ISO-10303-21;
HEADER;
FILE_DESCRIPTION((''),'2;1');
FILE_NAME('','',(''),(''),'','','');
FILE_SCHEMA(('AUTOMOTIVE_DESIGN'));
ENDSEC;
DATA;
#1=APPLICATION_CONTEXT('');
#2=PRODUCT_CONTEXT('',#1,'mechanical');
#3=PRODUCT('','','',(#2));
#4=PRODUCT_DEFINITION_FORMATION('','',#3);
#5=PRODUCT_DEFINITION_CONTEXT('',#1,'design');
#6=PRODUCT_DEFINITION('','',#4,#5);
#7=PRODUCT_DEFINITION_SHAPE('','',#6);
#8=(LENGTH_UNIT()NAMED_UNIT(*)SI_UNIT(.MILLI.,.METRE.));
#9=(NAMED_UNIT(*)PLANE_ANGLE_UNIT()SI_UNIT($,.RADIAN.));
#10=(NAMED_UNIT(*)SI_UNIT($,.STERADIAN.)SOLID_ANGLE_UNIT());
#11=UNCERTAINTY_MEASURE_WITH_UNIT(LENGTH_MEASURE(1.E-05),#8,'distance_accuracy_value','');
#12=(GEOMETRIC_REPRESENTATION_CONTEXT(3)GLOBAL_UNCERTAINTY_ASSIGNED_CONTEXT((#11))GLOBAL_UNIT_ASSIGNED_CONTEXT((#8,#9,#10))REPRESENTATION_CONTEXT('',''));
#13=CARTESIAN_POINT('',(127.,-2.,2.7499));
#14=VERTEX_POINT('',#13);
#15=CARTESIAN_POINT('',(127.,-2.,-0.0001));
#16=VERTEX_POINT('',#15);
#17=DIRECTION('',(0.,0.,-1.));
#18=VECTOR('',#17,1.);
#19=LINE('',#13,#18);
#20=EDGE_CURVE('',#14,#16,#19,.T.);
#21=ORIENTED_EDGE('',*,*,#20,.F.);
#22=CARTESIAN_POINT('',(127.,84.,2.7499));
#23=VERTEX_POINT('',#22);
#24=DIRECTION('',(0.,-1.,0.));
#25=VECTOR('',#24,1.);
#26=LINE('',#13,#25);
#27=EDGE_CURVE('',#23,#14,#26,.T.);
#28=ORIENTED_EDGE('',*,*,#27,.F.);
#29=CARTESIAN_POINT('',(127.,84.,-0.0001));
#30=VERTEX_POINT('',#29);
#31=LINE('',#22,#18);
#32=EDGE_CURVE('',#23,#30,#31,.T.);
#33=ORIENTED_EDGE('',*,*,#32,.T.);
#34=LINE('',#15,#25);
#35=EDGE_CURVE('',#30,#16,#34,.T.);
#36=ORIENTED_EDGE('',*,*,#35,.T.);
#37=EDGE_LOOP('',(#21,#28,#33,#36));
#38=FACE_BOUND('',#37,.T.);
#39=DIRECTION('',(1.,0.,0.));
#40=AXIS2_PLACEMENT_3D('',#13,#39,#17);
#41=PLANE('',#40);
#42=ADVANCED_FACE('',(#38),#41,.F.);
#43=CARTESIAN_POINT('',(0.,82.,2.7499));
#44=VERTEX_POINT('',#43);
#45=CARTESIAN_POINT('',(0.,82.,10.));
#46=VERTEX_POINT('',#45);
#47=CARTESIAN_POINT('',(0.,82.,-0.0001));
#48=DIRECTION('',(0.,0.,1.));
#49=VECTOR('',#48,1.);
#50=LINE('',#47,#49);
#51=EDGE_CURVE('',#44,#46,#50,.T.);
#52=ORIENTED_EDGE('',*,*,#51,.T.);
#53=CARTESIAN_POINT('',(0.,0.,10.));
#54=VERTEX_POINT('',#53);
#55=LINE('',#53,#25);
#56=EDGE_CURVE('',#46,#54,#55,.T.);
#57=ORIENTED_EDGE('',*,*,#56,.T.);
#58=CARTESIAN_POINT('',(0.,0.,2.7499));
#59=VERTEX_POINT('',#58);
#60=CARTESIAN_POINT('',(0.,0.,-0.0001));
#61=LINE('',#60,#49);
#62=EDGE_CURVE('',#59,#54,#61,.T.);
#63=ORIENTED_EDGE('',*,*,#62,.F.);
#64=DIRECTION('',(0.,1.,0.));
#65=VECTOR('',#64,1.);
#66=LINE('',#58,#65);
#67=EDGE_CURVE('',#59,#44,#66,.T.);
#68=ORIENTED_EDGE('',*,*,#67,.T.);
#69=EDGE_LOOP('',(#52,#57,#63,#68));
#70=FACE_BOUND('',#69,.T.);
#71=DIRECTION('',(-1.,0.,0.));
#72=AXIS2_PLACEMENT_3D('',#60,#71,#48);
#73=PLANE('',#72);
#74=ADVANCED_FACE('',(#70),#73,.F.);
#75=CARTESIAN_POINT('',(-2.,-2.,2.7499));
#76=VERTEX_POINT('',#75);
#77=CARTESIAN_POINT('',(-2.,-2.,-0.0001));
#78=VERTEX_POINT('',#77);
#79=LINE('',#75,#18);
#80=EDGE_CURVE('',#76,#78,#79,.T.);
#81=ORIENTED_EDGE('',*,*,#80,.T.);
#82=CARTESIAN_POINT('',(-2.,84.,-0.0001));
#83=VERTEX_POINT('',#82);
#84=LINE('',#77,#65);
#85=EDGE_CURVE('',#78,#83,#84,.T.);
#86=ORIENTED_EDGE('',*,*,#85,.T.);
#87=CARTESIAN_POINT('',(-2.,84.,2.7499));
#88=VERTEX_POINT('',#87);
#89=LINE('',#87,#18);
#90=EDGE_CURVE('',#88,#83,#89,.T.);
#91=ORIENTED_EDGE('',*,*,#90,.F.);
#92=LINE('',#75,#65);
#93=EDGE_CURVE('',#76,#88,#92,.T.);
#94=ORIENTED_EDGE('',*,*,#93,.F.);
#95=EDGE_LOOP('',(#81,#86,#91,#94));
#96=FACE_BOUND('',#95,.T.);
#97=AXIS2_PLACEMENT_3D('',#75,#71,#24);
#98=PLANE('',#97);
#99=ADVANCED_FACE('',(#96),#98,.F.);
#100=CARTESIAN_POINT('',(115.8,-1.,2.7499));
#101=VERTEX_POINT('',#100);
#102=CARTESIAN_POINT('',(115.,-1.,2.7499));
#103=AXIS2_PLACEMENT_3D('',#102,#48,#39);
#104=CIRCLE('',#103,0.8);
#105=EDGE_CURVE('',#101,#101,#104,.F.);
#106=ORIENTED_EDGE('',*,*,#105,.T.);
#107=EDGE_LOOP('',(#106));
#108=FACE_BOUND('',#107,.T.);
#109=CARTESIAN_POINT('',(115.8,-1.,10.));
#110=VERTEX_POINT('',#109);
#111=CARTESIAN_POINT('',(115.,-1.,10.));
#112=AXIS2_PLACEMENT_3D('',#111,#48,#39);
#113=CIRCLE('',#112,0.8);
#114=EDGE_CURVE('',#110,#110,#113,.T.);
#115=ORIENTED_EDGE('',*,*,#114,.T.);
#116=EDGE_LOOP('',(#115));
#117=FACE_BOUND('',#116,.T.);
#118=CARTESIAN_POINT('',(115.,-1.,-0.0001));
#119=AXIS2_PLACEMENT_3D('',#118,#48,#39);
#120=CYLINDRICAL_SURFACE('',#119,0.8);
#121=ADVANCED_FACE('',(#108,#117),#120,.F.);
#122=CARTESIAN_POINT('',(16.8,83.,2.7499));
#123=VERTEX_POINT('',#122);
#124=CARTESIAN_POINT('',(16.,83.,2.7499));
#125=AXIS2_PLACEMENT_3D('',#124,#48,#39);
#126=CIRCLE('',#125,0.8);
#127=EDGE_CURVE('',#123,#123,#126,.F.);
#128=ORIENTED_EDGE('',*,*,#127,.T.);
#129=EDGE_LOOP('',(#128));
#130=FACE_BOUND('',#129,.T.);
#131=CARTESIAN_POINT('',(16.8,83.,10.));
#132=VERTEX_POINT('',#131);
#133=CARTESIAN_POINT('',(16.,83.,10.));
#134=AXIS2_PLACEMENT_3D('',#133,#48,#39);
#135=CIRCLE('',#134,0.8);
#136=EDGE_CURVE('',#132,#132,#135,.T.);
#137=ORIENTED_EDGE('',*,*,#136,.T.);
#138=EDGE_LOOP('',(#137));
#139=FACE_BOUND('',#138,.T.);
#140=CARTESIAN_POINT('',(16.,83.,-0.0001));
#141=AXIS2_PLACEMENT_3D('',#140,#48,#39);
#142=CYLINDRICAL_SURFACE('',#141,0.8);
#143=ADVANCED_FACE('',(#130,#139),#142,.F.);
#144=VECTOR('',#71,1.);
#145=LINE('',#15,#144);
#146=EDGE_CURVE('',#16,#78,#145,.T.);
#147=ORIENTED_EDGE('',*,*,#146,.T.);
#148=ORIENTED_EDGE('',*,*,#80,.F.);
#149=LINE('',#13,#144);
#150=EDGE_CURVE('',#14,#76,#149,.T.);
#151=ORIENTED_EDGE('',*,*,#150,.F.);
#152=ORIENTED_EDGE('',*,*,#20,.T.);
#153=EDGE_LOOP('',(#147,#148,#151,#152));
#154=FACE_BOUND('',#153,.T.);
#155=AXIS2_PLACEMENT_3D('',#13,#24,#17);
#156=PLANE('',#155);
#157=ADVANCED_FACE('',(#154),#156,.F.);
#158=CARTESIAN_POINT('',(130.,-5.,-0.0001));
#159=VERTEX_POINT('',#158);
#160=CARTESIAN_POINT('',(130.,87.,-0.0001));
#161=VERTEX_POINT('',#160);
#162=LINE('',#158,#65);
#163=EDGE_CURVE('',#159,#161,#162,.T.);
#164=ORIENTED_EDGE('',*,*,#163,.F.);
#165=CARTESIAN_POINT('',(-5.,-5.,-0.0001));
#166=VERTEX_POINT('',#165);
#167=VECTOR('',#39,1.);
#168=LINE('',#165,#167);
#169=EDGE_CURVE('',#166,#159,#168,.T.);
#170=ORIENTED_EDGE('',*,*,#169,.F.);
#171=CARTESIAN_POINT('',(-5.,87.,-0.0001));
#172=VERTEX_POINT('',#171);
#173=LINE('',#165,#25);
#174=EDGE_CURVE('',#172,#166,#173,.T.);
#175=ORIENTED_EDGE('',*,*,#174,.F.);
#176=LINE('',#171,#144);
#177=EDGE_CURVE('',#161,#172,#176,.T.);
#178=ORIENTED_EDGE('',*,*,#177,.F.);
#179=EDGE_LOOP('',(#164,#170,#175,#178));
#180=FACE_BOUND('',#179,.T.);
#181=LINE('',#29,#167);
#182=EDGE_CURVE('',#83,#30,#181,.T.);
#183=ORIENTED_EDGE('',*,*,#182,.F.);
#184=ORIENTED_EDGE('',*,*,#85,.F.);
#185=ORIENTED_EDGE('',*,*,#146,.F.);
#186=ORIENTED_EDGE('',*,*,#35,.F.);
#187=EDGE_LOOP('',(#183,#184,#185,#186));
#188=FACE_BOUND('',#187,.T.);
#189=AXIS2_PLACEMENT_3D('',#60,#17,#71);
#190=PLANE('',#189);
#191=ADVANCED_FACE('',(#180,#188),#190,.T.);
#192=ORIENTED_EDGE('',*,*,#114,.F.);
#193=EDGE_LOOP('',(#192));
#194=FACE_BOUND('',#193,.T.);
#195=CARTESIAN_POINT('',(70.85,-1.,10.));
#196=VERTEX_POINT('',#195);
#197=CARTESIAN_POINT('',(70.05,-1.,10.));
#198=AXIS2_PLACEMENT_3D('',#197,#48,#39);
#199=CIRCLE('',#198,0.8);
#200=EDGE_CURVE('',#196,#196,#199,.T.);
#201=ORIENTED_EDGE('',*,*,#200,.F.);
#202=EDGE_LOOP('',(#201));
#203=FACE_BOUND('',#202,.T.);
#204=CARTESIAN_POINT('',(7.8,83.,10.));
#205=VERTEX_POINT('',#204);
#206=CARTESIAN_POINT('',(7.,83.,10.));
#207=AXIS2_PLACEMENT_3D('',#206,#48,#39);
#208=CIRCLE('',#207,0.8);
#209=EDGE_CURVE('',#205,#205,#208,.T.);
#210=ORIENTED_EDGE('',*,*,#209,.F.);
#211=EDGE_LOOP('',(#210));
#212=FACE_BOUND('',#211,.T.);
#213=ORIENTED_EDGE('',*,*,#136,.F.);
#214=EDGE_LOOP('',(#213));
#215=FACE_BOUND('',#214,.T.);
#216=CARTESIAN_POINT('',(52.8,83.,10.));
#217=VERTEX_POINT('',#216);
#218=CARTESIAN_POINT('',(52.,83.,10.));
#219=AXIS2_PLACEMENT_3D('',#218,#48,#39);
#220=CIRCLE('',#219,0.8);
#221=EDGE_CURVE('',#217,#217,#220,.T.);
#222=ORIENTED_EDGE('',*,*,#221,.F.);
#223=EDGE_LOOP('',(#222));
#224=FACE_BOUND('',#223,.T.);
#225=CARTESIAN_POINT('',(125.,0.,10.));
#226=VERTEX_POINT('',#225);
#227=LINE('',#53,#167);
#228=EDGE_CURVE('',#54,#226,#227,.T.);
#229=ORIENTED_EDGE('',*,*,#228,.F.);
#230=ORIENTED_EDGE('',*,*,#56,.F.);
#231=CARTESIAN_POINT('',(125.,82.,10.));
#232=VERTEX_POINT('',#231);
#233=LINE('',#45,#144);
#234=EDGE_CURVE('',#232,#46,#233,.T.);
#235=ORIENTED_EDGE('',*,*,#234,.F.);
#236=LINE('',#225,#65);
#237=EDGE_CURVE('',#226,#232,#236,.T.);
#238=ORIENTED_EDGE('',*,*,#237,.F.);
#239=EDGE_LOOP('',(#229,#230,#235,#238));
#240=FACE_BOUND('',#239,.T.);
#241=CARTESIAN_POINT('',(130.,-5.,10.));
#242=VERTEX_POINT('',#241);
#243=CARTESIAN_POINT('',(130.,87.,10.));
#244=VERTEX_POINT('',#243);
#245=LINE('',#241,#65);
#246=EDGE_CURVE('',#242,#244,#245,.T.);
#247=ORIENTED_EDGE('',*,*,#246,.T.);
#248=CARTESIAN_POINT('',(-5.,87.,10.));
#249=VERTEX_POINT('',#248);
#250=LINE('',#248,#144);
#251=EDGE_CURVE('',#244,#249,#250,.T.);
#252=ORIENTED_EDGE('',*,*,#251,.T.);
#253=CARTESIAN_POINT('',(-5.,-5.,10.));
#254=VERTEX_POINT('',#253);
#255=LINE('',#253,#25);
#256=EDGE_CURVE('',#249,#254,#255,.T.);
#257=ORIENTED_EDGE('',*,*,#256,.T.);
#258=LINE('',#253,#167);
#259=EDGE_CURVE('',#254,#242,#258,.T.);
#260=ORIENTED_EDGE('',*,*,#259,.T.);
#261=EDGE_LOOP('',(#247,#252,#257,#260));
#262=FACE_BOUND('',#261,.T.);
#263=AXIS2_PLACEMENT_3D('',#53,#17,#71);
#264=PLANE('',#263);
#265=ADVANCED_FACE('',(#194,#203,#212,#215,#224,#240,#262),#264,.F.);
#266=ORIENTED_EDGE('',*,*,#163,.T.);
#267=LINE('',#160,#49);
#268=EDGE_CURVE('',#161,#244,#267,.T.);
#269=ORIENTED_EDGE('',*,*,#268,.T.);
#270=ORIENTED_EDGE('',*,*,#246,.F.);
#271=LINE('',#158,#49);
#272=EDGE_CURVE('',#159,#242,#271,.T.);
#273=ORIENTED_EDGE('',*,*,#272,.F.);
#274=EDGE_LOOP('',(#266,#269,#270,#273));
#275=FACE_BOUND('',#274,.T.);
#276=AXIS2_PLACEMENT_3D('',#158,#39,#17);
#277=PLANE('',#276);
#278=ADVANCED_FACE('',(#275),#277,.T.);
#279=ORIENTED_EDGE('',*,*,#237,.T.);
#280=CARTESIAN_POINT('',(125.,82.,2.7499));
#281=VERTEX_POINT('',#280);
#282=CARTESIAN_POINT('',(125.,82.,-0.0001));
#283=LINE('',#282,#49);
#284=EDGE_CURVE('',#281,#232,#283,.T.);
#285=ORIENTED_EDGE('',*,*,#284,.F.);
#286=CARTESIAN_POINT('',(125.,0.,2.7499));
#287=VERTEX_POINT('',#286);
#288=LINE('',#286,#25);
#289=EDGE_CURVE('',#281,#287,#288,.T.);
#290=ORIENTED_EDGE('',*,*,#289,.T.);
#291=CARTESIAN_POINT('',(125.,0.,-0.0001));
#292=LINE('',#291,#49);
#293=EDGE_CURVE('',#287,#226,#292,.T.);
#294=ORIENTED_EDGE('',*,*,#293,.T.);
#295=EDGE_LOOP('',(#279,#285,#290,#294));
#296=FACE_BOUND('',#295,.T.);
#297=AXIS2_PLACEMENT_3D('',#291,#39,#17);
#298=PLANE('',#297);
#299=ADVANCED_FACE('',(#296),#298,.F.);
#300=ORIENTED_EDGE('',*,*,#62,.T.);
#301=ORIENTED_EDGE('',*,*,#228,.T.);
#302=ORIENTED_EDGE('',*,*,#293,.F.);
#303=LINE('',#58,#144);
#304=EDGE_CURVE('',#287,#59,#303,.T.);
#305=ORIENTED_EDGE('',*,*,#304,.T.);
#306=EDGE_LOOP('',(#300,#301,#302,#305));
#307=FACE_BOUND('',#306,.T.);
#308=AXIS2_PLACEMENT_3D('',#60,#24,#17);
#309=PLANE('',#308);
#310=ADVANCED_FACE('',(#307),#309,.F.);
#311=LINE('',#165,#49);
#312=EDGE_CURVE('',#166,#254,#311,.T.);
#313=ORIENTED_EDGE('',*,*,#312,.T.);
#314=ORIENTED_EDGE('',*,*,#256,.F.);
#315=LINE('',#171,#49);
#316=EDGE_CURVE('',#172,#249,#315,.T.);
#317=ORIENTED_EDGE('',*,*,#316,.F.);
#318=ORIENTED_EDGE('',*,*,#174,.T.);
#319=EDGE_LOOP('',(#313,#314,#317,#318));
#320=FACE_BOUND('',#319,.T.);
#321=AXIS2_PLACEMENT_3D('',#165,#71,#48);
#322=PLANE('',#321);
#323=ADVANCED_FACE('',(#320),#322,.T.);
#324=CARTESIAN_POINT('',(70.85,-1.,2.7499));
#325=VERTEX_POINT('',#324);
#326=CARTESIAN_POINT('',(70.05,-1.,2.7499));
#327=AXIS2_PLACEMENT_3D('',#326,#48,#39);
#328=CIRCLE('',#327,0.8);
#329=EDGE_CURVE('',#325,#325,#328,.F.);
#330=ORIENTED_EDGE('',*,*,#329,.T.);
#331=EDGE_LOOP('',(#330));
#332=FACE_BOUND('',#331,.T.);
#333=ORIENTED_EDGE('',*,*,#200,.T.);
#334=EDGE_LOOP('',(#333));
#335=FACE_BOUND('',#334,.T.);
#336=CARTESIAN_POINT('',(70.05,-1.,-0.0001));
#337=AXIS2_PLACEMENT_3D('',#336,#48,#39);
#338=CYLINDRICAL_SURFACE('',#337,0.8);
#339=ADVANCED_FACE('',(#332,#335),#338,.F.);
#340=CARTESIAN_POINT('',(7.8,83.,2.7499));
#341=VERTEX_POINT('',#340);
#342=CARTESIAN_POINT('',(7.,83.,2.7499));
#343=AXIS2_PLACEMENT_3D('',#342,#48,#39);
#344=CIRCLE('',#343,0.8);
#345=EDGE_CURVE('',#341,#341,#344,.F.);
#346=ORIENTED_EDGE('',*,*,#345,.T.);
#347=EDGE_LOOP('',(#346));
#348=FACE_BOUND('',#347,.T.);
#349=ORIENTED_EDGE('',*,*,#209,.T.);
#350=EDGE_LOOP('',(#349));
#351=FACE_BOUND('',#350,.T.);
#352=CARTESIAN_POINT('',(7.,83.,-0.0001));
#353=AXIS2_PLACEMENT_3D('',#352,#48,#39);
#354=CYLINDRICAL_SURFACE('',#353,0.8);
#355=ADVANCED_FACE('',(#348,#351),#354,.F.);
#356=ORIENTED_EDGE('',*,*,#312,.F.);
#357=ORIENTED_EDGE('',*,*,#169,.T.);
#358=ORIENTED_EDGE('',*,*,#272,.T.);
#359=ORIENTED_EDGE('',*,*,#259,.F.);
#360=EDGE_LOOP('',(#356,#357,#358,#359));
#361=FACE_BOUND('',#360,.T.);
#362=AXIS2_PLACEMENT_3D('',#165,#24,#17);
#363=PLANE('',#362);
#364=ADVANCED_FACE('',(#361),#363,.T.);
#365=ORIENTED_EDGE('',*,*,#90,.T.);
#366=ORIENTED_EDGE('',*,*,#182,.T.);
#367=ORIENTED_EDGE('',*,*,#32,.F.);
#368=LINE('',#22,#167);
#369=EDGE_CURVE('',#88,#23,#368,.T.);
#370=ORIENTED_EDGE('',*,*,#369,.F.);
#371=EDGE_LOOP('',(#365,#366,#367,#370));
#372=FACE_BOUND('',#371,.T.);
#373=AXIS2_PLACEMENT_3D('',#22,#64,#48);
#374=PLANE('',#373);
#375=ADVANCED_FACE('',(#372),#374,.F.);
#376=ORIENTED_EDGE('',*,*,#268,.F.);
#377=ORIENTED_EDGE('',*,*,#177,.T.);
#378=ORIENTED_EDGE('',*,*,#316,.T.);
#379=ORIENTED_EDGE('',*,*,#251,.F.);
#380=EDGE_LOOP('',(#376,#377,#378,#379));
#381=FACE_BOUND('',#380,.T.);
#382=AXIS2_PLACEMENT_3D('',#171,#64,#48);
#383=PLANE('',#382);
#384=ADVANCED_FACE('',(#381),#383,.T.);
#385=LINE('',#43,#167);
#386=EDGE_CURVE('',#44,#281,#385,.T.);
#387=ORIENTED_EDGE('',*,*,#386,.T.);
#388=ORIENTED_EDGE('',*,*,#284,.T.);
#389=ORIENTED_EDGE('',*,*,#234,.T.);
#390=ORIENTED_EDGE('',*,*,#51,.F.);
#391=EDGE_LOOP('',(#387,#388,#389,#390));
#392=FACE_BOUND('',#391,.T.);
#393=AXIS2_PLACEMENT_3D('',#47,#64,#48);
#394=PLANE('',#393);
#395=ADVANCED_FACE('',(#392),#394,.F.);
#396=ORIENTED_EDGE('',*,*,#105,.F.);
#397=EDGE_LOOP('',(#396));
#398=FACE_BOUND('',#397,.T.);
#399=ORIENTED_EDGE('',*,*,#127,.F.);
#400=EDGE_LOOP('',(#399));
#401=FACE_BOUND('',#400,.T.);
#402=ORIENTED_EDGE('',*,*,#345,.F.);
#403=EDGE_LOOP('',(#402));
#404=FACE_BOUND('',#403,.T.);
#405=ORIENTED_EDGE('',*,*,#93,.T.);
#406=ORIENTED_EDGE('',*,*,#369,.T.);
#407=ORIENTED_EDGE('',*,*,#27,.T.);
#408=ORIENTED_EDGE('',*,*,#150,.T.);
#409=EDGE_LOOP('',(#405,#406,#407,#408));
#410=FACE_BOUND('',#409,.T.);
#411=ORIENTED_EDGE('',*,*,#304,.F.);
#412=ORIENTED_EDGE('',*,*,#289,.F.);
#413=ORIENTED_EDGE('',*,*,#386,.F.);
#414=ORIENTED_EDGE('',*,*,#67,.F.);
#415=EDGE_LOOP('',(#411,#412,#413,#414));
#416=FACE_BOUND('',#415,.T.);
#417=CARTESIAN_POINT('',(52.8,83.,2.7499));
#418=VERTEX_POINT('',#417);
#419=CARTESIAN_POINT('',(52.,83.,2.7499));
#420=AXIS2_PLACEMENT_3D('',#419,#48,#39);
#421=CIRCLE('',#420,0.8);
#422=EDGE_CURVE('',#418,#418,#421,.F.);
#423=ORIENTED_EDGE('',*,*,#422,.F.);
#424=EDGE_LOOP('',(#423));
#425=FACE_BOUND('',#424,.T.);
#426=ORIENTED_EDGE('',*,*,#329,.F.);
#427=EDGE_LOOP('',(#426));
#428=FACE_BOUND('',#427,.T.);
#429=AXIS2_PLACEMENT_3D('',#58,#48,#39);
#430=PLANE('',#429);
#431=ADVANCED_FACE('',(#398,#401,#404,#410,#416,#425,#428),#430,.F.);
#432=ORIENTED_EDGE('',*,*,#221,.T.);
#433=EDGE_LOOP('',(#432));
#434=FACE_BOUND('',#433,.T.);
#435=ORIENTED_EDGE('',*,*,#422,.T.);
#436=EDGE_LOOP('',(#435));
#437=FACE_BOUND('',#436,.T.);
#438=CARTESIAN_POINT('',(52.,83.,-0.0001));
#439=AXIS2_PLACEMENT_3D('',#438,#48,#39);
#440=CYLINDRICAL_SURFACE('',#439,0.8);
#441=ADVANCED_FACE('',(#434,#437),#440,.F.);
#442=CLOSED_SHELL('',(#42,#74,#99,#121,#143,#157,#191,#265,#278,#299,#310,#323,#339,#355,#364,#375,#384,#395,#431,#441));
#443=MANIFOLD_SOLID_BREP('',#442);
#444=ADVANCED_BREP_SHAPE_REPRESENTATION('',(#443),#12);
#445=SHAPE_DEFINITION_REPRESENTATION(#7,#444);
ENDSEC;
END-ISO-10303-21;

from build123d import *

# Parameters (mm, degrees)
SKETCH_1_W           = 135
SKETCH_1_H           = 92
SKETCH_1_R           = 0.8
SKETCH_1_W_2         = 125
SKETCH_1_H_2         = 82
EXTRUDE_1_DEPTH      = 10
EXTRUDE_1_DEPTH_BACK = 0.0001
SKETCH_4_W           = 129
SKETCH_4_H           = 86
CUT_EXTRUDE_1_DEPTH  = 2.75


with BuildPart() as part:
    # Эскиз1 → Бобышка-Вытянуть1 (new body, two sides)
    with BuildSketch(Plane.XY) as extrude_1_sk:
        with Locations((62.5, 41)):
            Rectangle(SKETCH_1_W, SKETCH_1_H)
        with Locations((7, 83)):
            Circle(SKETCH_1_R, mode=Mode.SUBTRACT)
        with Locations((115, -1)):
            Circle(SKETCH_1_R, mode=Mode.SUBTRACT)
        with Locations((16, 83)):
            Circle(SKETCH_1_R, mode=Mode.SUBTRACT)
        with Locations((52, 83)):
            Circle(SKETCH_1_R, mode=Mode.SUBTRACT)
        with Locations((70.05, -1)):
            Circle(SKETCH_1_R, mode=Mode.SUBTRACT)
        with Locations((62.5, 41)):
            Rectangle(SKETCH_1_W_2, SKETCH_1_H_2, mode=Mode.SUBTRACT)
    extrude(amount=EXTRUDE_1_DEPTH)
    extrude(extrude_1_sk.sketch, amount=-EXTRUDE_1_DEPTH_BACK)

    # Эскиз4 → Вырез-Вытянуть1 (cut)
    with BuildSketch(Plane(origin=(0, 0, -0.0001), x_dir=(-1, 0, 0), z_dir=(0, 0, -1))):
        with Locations((-62.5, 41)):
            Rectangle(SKETCH_4_W, SKETCH_4_H)
    extrude(amount=-CUT_EXTRUDE_1_DEPTH, mode=Mode.SUBTRACT)


solid = part.part
